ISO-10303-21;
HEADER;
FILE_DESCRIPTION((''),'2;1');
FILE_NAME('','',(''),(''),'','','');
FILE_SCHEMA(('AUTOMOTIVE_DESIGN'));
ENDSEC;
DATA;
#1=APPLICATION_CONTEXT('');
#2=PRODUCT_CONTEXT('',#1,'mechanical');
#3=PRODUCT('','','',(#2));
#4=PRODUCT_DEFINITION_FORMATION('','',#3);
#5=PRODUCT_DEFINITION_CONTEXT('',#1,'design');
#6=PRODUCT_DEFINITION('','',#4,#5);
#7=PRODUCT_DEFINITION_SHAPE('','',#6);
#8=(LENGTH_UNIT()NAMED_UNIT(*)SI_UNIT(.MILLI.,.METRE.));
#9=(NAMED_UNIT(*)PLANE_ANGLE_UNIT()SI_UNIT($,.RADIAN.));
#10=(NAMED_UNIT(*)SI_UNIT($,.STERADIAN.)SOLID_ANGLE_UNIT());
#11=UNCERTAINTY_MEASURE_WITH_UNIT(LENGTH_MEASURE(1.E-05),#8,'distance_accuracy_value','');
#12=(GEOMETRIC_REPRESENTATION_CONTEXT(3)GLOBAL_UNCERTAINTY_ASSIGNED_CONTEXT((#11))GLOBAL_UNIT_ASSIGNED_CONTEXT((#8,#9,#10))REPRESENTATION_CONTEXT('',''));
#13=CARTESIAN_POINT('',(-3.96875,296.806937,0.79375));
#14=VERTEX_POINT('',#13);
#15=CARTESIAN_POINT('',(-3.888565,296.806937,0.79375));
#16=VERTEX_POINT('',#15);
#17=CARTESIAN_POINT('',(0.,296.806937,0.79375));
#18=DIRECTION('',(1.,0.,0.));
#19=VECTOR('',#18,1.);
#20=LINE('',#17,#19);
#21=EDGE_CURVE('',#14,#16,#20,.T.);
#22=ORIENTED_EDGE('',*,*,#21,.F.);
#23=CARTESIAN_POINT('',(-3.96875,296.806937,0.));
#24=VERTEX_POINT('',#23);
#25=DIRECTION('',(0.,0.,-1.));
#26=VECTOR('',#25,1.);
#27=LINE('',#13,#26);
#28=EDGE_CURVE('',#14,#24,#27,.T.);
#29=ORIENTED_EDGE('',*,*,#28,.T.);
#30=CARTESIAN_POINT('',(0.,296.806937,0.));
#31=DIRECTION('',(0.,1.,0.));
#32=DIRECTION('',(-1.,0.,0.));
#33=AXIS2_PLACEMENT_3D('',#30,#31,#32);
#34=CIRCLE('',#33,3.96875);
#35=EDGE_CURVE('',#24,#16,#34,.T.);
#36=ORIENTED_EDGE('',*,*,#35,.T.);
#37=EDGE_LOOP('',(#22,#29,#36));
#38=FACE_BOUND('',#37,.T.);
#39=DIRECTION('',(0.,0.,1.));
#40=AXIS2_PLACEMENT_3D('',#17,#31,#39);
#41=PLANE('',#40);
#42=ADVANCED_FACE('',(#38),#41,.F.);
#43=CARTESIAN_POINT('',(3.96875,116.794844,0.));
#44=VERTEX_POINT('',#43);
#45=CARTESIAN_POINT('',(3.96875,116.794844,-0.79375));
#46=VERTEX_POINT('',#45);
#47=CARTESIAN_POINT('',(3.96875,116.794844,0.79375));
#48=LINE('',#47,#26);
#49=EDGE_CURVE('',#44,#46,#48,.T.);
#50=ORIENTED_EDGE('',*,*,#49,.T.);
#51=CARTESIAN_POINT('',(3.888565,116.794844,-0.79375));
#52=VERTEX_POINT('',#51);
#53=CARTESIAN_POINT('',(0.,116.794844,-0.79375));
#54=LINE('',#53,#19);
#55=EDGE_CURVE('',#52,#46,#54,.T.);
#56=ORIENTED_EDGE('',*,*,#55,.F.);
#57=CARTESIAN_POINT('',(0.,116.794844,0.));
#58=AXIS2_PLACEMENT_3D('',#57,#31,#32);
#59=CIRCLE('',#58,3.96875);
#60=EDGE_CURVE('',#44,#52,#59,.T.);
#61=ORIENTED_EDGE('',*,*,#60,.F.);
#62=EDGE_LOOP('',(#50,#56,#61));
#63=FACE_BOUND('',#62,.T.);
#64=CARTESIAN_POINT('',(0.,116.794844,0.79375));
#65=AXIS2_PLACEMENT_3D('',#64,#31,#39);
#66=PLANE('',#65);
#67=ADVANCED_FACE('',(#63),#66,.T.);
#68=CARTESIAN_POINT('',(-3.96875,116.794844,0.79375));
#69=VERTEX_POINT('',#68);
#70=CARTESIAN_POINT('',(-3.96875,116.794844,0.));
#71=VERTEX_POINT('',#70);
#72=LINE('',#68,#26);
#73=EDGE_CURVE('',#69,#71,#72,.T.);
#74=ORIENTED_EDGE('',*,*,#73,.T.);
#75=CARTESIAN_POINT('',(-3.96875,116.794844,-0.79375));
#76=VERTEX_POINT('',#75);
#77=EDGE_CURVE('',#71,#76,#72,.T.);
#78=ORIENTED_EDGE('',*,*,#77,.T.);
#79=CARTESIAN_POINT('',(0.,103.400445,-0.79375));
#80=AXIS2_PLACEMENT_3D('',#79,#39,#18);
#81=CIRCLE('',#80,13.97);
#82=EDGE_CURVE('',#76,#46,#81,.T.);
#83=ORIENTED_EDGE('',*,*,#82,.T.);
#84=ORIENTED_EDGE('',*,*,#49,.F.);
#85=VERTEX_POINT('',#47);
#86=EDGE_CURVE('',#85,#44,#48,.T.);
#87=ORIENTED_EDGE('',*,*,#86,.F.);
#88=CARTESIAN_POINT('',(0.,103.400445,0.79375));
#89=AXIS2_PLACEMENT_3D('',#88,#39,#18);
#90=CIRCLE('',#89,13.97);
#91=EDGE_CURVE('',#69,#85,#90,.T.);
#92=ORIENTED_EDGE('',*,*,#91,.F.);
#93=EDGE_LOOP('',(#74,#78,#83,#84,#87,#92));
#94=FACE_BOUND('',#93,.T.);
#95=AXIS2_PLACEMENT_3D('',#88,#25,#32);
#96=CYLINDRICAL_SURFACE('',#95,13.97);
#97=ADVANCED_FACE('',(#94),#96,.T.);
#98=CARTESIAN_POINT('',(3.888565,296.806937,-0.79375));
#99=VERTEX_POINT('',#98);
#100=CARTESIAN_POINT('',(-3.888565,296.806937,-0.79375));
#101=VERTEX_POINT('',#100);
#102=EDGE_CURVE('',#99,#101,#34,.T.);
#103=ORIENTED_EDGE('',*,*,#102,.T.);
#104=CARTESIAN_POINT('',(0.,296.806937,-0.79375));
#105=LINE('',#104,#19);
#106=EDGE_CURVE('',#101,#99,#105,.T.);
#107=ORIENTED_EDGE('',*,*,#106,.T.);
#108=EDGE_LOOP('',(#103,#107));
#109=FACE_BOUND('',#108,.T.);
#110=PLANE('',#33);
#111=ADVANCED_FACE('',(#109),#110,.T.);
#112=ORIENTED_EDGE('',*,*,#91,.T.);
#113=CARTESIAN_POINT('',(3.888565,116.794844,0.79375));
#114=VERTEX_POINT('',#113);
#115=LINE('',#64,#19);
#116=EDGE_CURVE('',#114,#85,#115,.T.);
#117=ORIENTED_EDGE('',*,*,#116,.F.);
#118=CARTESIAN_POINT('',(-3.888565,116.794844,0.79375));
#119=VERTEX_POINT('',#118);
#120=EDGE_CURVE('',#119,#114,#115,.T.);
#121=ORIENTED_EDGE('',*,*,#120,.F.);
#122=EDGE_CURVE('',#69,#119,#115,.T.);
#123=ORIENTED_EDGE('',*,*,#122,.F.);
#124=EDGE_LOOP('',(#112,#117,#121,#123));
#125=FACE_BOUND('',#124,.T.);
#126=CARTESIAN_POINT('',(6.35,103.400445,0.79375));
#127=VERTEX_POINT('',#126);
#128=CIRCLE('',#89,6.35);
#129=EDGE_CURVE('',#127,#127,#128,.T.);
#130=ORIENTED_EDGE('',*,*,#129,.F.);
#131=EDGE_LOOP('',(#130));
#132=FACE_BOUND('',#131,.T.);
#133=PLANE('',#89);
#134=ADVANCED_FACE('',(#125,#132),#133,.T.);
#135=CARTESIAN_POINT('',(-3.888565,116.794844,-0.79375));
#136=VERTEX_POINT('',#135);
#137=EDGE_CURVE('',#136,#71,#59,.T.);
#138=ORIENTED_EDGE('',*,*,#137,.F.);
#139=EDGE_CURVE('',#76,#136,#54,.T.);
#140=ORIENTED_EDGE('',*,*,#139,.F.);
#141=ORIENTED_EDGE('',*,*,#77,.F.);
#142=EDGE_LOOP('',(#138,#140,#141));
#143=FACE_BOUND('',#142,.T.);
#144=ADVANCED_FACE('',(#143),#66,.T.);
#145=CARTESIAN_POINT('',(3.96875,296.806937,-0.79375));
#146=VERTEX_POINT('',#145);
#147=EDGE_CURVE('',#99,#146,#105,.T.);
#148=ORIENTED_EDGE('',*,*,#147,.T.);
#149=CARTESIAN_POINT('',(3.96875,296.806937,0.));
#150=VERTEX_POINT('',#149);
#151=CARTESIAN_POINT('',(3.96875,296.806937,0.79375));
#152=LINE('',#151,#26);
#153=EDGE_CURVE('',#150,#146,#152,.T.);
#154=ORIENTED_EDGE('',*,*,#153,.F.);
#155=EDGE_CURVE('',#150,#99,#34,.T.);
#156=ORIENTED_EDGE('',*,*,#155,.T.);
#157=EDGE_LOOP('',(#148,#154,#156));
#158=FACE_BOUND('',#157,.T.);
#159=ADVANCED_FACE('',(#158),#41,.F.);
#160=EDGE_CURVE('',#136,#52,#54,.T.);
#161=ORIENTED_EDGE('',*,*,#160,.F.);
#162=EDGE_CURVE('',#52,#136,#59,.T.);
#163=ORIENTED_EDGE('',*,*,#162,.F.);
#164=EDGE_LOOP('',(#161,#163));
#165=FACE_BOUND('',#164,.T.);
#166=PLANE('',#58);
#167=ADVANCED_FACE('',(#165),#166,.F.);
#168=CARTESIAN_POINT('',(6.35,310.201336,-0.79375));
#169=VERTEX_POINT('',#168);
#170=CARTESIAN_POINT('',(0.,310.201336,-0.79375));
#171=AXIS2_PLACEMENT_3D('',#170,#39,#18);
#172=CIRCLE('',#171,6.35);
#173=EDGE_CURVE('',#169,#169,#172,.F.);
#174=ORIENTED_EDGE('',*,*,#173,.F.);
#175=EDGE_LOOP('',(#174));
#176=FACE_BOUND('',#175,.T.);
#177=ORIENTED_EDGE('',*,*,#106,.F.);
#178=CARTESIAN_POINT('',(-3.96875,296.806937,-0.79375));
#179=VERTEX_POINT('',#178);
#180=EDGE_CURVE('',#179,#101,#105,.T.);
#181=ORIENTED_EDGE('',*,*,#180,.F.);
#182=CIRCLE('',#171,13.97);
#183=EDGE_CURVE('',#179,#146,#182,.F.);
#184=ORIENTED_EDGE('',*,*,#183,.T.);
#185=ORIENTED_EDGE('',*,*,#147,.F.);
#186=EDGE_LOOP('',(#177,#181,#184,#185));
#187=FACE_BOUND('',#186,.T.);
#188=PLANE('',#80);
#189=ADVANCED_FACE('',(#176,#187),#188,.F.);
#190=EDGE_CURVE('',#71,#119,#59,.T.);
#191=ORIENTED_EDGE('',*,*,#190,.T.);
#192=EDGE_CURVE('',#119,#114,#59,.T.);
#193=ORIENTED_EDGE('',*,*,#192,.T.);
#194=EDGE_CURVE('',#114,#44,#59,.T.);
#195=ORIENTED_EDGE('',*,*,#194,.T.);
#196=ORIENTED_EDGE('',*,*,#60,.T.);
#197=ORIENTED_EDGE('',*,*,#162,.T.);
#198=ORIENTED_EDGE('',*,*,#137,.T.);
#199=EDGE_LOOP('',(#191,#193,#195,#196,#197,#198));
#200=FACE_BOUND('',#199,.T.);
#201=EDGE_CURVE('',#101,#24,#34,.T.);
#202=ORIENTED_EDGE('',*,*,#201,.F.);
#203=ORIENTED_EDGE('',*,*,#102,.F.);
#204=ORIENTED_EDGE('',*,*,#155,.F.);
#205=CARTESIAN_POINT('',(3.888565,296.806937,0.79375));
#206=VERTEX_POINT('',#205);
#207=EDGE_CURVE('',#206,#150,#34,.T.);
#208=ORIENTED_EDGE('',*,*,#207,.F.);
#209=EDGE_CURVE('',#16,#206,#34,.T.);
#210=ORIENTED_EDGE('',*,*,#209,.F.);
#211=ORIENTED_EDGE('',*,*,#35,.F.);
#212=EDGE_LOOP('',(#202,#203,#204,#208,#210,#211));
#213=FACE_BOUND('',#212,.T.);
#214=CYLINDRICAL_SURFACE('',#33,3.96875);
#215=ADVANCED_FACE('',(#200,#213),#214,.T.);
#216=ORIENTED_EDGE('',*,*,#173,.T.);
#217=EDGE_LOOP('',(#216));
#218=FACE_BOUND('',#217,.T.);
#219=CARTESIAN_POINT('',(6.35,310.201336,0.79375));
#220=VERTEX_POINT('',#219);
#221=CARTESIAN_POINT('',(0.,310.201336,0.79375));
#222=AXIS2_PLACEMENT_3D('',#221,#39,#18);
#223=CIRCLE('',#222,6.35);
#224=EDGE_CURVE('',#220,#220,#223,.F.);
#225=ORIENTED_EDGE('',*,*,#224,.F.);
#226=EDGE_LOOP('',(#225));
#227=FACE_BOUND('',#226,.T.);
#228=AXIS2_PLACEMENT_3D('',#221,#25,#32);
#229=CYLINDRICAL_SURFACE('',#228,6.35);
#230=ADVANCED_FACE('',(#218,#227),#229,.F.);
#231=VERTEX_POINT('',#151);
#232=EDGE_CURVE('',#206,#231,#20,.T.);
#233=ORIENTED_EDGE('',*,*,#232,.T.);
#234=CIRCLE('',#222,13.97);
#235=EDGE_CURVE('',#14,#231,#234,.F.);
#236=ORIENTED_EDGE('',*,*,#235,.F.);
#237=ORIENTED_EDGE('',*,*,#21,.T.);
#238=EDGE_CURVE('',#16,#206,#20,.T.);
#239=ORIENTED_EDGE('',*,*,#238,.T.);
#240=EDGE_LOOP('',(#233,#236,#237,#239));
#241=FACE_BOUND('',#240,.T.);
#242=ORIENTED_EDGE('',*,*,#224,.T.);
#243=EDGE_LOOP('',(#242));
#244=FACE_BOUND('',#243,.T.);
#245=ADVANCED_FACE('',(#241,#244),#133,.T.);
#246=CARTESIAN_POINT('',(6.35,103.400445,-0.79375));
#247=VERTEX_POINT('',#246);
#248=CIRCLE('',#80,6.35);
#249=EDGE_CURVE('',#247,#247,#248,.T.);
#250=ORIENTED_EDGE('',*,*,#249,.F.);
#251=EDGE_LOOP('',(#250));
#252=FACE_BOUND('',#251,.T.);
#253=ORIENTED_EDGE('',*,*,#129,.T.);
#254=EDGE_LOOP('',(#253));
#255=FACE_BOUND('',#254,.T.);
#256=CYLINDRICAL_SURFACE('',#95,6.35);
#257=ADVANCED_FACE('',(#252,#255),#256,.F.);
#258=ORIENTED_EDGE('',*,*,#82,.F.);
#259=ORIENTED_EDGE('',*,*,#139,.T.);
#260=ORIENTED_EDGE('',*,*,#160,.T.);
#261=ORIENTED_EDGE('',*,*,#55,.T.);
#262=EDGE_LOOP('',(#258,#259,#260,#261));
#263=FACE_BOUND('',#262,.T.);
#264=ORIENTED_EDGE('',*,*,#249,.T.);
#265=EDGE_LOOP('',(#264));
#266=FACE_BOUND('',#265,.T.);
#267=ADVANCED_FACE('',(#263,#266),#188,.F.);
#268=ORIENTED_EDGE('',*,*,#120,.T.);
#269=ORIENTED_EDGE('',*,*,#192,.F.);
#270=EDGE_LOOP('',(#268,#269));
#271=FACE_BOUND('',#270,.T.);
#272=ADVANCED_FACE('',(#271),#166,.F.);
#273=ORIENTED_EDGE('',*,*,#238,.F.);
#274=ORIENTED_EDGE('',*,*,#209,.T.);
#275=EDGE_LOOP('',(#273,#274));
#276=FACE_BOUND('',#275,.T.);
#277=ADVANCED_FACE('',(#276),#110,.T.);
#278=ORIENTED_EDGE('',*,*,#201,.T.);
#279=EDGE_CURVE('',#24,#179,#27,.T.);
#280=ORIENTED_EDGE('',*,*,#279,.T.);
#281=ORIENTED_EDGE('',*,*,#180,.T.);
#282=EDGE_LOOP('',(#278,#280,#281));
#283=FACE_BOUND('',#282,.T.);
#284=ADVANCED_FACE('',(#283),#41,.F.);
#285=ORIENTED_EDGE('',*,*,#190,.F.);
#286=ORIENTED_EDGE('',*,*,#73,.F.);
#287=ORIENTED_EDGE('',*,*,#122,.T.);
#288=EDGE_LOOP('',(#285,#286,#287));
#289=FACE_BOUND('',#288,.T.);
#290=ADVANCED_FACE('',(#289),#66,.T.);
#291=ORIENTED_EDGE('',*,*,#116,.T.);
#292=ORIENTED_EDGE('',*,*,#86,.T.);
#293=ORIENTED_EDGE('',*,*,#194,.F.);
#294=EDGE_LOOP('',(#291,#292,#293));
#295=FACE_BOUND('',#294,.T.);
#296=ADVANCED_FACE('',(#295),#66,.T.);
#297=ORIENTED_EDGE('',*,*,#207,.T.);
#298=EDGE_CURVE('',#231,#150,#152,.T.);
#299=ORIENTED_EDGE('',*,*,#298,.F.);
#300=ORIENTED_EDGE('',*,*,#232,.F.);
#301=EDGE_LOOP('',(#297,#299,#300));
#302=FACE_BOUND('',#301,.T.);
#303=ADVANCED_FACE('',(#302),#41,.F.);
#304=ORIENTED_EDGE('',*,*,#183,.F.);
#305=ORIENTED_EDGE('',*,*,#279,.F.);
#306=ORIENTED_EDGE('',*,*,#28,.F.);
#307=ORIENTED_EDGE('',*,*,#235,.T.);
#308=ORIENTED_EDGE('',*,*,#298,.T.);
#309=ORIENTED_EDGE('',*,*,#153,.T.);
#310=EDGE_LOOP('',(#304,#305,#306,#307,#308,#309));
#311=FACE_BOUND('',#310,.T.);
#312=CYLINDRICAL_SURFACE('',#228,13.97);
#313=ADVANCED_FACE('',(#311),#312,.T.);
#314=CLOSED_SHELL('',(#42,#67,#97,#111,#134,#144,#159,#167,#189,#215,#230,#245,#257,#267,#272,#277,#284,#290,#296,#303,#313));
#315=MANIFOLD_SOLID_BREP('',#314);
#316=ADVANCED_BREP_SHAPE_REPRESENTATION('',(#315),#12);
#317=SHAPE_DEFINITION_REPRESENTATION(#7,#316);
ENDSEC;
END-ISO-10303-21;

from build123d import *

# Parameters (mm, degrees)
SKETCH1_W           = 7.9375
SKETCH1_H           = 360.02418597
SKETCH1_3_R         = 12.7
BOSS_EXTRUDE1_DEPTH = 1.5875
SCALE1_SCALE        = 0.5


with BuildPart() as part:
    # Sketch1 → Revolve1 (revolve)
    with BuildSketch(Plane.XY):
        with Locations((3.96875, 206.8008909)):
            Rectangle(SKETCH1_W, SKETCH1_H)
    revolve(axis=Axis((0, 386.812983885, 0), (0, -1, 0)))

    # Sketch1<3> → Boss-Extrude1 (add, symmetric)
    # profile 1 of 2: a face of its own
    with BuildSketch(Plane.XY):
        with BuildLine():
            Line((-7.9375, 386.812983885), (7.9375, 386.812983885))
            ThreePointArc((7.9375, 386.812983885), (0, 441.541781801), (-7.9375, 386.812983885))
        make_face()
        with Locations((0, 413.601781801)):
            Circle(SKETCH1_3_R, mode=Mode.SUBTRACT)
    # profile 2 of 2: a face of its own
    with BuildSketch(Plane.XY):
        with BuildLine():
            Line((7.9375, 26.788797915), (-7.9375, 26.788797915))
            ThreePointArc((-7.9375, 26.788797915), (0, -27.94), (7.9375, 26.788797915))
        make_face()
        Circle(SKETCH1_3_R, mode=Mode.SUBTRACT)
    extrude(amount=BOSS_EXTRUDE1_DEPTH, both=True)


with BuildPart() as part_1:
    # Scale1: scaled about (0, 206.8008909, 0)
    add(part.part.scale(SCALE1_SCALE).moved(Location((0, 103.40044545, 0))))


solid = part_1.part
